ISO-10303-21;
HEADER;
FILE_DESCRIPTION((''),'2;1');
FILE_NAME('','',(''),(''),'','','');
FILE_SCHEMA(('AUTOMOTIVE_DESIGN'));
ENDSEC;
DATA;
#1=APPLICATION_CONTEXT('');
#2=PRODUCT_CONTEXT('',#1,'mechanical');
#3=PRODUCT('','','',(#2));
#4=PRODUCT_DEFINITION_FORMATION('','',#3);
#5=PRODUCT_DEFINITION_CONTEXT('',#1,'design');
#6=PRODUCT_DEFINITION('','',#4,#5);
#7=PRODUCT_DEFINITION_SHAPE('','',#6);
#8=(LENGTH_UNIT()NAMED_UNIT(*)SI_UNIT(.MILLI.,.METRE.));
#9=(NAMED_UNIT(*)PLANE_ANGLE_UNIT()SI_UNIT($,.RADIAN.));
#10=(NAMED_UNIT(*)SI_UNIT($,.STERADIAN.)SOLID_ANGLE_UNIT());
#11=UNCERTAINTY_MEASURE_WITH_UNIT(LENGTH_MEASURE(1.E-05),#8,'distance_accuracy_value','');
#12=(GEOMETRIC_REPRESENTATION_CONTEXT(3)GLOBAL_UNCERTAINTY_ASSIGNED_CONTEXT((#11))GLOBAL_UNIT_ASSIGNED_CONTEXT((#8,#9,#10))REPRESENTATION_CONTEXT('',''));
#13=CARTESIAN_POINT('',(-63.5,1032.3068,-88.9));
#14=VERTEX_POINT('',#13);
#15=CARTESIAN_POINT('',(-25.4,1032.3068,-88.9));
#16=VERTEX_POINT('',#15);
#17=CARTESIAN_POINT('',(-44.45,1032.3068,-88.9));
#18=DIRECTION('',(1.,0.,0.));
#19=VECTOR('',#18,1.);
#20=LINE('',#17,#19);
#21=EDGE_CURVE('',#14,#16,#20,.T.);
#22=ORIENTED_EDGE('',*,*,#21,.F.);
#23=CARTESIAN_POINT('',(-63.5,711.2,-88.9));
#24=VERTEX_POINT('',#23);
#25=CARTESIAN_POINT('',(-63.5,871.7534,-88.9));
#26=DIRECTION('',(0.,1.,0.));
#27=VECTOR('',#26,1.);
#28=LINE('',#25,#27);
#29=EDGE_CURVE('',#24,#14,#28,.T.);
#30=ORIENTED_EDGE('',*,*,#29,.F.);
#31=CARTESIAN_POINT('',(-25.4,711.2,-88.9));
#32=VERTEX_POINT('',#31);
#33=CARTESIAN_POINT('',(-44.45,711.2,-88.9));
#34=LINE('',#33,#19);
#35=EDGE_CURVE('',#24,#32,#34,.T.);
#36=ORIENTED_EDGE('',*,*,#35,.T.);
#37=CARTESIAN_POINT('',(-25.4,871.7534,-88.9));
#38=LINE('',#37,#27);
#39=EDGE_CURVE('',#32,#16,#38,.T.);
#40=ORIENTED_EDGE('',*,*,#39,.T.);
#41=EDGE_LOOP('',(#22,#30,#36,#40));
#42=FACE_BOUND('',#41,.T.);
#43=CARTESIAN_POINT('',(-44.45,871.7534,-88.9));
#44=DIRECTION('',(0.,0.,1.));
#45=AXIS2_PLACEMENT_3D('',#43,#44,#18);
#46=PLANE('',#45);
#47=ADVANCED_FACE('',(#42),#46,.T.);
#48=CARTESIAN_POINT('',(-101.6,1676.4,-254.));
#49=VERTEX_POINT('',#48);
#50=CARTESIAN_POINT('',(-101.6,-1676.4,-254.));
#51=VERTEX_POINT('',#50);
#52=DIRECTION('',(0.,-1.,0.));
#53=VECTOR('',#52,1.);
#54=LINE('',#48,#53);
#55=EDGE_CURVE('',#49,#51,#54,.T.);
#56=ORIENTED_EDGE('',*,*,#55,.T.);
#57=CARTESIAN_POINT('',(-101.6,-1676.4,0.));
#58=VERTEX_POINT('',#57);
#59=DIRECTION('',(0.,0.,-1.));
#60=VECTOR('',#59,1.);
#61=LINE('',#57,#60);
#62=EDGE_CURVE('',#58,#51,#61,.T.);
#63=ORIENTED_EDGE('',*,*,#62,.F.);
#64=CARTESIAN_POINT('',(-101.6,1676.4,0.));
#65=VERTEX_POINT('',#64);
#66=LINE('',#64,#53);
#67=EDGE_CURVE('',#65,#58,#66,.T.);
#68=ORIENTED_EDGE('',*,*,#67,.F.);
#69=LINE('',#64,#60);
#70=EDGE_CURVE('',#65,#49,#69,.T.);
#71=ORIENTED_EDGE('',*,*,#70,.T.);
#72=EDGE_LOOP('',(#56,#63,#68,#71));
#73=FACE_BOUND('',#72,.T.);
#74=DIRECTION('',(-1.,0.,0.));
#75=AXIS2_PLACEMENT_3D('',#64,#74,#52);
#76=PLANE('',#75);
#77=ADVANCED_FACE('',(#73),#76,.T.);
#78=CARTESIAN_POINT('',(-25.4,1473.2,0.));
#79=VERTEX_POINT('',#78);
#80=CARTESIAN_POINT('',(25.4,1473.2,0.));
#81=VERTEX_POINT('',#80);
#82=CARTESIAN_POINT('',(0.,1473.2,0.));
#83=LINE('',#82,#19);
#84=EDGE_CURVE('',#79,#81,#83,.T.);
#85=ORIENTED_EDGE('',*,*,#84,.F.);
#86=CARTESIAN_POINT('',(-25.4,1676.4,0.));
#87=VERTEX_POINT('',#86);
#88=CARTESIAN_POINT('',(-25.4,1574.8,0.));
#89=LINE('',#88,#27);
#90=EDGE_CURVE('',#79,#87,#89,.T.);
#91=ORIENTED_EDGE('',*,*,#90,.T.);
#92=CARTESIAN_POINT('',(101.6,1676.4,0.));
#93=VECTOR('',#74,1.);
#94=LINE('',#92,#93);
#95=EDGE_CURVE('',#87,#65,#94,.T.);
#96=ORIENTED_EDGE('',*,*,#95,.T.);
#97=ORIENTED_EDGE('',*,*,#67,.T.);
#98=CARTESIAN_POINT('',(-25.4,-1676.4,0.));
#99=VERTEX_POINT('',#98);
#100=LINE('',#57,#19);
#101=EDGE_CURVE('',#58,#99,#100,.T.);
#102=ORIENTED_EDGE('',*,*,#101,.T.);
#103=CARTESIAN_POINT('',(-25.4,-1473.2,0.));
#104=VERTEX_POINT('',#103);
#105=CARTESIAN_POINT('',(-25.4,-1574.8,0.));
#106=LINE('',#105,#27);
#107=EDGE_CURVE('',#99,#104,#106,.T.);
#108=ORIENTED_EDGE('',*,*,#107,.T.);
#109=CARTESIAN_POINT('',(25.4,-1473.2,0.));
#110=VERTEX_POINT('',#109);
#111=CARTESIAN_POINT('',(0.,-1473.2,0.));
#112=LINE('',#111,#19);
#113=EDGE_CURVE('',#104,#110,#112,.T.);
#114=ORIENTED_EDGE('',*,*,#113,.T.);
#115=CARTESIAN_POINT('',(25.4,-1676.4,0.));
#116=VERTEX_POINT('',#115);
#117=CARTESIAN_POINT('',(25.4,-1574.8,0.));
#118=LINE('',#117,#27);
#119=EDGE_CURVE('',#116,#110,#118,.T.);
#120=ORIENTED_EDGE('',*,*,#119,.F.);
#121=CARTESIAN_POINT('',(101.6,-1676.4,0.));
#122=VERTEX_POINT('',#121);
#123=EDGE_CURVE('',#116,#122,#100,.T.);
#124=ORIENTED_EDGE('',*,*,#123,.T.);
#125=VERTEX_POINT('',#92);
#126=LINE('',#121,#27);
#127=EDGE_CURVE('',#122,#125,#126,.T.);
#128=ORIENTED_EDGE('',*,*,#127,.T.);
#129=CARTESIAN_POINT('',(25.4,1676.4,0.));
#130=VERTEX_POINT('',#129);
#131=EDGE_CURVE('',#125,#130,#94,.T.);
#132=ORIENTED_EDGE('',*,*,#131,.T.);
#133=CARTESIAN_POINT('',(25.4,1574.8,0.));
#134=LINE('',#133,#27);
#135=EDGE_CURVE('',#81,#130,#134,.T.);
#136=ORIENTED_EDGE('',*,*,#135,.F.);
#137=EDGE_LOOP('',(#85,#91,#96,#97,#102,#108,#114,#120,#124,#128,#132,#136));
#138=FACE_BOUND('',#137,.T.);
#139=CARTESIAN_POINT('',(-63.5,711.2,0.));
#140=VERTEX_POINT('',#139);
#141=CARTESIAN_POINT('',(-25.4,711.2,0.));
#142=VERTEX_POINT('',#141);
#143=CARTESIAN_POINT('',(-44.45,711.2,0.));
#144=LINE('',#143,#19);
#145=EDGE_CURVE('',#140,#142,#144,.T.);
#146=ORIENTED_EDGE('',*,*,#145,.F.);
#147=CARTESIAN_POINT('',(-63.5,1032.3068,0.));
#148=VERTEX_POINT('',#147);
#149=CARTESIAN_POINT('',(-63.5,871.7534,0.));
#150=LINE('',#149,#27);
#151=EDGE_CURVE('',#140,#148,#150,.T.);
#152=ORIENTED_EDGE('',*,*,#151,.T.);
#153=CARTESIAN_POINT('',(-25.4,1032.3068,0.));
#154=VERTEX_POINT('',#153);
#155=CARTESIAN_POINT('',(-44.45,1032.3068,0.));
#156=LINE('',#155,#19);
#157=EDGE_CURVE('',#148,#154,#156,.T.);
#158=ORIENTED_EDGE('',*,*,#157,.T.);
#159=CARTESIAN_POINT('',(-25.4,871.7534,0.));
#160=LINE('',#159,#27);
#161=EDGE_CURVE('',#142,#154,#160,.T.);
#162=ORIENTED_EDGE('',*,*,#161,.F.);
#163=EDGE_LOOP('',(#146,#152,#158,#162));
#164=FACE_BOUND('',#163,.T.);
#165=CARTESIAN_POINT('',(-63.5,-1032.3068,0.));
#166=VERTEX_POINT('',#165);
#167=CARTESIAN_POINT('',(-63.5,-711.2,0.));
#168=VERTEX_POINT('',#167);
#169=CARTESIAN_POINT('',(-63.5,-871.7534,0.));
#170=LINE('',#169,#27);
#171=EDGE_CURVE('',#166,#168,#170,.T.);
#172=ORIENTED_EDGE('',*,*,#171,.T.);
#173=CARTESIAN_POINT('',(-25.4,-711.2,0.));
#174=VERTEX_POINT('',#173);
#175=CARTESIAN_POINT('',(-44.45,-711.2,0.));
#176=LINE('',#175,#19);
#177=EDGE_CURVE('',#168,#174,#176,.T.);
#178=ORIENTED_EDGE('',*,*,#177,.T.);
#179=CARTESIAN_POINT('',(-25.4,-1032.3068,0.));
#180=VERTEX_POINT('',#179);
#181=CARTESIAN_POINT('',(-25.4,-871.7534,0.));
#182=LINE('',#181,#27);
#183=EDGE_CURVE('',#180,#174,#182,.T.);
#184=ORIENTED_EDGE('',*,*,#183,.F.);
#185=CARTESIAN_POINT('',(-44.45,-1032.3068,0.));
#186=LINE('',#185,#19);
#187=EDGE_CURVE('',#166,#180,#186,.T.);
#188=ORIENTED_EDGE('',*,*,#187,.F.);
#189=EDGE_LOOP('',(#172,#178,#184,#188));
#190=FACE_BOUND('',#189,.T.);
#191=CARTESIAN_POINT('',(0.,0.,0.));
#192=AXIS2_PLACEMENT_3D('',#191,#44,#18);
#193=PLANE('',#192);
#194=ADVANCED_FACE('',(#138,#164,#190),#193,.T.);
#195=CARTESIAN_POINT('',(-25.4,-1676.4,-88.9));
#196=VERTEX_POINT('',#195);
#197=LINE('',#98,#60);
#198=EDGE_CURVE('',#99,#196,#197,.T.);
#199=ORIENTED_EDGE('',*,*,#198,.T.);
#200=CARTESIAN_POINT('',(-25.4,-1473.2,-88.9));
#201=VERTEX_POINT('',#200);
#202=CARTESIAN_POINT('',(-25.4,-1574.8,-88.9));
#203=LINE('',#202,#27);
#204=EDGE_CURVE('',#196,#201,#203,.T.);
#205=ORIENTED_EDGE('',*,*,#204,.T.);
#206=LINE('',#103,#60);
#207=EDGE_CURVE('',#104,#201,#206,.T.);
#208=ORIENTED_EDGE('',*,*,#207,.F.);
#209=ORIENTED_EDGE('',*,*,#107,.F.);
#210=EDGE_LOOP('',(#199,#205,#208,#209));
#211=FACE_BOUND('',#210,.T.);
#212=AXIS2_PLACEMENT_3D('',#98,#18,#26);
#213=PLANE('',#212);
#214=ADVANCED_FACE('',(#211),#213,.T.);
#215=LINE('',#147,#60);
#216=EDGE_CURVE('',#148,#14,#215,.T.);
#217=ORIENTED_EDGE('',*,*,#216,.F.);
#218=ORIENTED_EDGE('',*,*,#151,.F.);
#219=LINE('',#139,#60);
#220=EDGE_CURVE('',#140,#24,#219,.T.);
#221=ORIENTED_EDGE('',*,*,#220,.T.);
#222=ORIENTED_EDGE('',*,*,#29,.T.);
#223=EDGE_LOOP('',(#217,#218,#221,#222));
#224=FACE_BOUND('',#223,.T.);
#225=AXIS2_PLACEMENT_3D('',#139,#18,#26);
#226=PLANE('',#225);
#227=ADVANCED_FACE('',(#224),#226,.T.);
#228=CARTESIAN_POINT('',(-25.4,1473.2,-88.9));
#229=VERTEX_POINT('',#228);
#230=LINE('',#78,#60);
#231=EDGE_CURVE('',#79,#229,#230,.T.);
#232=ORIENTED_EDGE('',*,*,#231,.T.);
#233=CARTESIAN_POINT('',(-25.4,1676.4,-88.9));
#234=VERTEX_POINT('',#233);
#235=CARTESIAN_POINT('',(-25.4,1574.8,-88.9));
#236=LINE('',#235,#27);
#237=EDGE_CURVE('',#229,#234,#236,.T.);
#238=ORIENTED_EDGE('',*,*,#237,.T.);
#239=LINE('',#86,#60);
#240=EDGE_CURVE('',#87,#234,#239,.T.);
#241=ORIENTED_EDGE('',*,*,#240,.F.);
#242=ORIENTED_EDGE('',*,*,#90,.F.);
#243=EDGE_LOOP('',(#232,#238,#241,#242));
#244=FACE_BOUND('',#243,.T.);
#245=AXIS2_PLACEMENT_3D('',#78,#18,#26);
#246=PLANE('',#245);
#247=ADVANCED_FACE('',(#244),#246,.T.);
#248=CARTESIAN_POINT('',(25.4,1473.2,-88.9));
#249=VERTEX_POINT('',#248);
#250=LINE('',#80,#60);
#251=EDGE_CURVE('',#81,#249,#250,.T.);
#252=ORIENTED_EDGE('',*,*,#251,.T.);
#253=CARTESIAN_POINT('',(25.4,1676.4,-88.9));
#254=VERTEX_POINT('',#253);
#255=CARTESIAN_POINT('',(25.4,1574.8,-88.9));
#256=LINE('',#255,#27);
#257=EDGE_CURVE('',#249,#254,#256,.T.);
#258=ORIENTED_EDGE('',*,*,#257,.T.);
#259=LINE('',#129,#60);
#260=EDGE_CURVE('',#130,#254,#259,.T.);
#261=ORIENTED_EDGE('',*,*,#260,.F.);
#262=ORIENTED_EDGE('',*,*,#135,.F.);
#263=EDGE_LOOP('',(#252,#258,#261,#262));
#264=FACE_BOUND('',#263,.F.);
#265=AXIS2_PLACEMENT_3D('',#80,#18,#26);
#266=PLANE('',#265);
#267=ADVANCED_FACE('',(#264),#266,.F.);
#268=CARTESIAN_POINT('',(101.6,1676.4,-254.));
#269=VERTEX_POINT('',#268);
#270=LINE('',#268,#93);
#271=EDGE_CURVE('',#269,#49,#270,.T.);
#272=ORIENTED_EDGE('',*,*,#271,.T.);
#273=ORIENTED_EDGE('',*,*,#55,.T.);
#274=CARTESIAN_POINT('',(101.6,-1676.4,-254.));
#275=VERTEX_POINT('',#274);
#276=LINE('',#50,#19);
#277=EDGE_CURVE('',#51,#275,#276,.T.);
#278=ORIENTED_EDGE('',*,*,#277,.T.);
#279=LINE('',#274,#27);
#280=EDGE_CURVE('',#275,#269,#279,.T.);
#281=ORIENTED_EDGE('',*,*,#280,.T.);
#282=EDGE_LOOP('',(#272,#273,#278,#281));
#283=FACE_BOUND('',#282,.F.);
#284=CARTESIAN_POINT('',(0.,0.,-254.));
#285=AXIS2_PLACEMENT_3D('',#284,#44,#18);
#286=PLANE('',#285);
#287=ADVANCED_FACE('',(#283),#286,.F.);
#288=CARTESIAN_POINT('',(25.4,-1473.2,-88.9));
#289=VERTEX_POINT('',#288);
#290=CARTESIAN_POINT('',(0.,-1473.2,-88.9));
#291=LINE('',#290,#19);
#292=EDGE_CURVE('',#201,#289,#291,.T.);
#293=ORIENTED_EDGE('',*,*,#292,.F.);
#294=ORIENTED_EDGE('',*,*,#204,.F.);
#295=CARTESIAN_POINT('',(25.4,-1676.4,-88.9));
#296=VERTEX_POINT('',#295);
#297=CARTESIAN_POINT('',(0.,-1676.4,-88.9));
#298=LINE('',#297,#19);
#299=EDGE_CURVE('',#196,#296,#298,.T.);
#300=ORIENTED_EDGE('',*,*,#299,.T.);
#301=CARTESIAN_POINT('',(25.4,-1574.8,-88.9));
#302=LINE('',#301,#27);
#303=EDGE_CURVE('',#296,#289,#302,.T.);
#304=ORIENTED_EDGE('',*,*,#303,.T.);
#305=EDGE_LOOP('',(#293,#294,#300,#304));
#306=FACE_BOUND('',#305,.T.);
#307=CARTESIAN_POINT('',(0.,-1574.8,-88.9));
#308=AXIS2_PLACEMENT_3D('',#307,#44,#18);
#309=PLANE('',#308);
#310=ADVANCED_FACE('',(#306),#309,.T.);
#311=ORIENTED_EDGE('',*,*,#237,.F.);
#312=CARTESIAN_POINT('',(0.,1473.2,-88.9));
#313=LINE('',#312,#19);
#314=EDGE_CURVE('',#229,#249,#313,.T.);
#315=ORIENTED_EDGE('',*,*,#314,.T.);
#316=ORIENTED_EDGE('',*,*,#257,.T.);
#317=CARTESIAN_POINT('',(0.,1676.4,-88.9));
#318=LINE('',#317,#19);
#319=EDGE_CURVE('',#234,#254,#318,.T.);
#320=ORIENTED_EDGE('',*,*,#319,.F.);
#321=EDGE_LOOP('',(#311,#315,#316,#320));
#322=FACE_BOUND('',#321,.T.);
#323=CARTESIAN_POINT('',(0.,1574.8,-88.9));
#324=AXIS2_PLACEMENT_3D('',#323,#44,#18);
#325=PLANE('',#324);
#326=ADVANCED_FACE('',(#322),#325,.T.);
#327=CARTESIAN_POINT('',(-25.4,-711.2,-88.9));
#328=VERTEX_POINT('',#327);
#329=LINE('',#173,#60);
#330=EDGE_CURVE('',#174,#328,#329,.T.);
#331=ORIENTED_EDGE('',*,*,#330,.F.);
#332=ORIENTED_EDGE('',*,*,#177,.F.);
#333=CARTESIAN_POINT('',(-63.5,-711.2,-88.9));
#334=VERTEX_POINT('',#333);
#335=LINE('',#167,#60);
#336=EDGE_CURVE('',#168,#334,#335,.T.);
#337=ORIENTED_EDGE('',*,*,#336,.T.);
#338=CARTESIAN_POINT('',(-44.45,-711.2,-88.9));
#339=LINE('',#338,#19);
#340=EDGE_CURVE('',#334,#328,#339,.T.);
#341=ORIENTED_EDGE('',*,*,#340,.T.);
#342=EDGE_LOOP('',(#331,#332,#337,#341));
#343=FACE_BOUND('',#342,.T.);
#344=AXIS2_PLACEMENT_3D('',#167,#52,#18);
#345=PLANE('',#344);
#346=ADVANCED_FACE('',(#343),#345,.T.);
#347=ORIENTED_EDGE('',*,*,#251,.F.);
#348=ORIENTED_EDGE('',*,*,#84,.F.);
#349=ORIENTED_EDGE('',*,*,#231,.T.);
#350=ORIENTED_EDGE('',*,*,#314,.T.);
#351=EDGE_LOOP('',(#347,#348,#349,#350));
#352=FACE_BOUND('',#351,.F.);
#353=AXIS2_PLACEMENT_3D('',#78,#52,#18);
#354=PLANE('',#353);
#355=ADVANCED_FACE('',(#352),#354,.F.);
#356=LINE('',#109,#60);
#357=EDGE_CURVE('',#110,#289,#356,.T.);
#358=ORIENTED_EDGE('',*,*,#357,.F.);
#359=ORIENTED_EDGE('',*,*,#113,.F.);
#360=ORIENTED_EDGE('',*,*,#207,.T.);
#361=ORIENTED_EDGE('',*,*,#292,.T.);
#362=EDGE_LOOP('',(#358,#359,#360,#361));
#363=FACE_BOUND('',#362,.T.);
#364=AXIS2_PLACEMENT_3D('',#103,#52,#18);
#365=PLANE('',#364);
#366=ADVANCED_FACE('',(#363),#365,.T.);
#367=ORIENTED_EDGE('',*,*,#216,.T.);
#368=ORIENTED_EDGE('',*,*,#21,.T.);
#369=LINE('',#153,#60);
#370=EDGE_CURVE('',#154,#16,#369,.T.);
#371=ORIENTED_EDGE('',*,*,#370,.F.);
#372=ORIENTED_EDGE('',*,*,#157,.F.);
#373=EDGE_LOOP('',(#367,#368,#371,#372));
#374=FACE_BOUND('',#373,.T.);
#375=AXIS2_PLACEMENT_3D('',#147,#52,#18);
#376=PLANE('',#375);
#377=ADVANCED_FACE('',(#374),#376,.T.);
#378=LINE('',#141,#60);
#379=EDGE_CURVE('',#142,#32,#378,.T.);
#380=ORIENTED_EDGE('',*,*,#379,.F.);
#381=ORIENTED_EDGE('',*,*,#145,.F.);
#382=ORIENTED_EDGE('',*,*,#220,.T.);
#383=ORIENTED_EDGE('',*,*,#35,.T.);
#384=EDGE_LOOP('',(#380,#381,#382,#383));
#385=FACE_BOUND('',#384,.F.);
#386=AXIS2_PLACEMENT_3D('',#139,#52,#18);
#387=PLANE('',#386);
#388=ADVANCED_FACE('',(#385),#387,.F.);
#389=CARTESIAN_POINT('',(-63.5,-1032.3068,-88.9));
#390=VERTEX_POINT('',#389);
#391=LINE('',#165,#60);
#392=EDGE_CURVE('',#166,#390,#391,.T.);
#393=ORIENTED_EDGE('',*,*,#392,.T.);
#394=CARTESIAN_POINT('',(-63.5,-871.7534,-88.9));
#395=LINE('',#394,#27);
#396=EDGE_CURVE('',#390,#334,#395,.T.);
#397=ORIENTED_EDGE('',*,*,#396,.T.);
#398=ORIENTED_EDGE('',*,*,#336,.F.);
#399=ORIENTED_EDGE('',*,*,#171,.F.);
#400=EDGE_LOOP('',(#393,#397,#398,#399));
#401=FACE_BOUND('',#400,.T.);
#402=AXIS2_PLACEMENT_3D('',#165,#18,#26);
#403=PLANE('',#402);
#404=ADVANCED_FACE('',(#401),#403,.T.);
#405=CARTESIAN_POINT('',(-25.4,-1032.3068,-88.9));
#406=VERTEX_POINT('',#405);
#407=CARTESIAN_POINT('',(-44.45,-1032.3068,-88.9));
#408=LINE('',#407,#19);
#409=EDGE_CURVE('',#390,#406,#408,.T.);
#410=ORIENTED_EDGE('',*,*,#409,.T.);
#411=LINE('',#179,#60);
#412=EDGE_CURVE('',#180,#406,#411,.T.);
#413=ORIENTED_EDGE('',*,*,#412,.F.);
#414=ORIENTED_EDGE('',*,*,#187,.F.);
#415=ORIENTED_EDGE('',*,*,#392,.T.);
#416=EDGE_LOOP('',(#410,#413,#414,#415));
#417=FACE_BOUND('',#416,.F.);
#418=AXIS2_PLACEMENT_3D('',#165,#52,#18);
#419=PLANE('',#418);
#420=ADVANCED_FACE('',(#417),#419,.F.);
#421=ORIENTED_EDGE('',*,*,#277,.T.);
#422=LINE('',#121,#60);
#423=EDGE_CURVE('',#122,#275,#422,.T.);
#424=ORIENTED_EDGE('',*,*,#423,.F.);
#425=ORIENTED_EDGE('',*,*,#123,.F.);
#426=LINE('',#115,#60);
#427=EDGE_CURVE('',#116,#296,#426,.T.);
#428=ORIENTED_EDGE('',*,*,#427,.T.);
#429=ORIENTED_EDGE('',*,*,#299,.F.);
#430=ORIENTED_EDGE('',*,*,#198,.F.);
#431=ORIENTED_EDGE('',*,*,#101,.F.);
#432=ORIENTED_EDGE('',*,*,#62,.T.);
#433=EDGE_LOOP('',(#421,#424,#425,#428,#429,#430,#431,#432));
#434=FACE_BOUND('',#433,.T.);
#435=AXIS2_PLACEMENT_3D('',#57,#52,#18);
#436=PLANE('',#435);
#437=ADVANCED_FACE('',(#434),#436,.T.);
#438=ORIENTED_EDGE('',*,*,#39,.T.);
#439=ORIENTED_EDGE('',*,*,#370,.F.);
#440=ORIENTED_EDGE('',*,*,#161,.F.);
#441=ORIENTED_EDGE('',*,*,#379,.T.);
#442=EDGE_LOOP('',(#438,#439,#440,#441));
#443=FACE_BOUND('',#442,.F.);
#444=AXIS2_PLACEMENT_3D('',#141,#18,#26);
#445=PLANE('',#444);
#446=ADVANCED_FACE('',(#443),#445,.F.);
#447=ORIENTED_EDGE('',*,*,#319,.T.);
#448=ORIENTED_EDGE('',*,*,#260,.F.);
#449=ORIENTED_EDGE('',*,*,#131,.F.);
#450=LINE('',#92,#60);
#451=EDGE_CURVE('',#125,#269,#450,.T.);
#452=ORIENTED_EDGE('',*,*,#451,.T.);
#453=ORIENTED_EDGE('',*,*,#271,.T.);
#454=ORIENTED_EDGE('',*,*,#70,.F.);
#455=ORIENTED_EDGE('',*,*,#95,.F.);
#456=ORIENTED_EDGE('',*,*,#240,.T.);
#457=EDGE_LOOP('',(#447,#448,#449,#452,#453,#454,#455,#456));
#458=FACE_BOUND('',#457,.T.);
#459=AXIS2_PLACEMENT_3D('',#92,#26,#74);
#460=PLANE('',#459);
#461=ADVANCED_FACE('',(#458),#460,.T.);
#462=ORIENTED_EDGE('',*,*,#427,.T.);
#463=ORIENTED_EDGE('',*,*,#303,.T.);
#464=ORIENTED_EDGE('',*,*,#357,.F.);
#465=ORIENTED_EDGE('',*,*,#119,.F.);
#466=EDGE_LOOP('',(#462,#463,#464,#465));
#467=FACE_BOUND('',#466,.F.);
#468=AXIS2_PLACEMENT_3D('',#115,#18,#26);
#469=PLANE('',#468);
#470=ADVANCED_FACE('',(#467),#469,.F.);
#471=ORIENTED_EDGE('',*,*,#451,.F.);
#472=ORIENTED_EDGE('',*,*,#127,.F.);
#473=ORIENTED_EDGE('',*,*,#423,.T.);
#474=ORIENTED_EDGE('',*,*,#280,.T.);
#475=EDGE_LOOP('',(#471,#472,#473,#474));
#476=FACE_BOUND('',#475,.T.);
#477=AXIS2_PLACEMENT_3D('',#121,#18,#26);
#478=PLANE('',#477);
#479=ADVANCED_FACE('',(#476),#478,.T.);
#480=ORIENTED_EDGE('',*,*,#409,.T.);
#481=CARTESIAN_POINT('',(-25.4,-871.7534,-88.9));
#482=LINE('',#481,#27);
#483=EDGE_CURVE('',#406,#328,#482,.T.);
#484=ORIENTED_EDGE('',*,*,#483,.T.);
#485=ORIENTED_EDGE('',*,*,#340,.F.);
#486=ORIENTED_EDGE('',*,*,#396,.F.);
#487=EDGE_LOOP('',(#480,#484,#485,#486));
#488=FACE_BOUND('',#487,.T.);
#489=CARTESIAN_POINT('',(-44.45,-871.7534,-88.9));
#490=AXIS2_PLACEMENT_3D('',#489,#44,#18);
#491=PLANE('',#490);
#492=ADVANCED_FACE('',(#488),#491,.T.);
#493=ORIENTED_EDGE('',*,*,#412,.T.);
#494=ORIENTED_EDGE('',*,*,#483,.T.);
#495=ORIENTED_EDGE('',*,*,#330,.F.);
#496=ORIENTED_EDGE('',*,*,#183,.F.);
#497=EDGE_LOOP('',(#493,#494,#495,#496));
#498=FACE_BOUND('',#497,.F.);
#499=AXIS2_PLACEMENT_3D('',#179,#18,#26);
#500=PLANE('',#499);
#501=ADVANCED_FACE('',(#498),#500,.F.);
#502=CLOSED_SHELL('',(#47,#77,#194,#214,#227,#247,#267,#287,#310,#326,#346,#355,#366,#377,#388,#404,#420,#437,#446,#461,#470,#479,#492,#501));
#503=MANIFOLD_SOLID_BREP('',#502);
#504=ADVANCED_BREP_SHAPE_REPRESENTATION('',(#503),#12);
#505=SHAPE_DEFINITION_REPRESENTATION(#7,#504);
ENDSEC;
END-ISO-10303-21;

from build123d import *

# Parameters (mm, degrees)
F0_W     = 38.1
F0_H     = 321.1068
F0_W_2   = 50.8
F0_H_2   = 203.2
F1_DEPTH = 254
F2_DEPTH = 88.9


with BuildPart() as f1:
    # F0 (on Top) → F1 (new body)
    with BuildSketch(Plane.XY):
        Polygon((-25.4, 1676.4), (-101.6, 1676.4), (-101.6, -1676.4), (-25.4, -1676.4), (-25.4, -1473.2), (25.4, -1473.2), (25.4, -1676.4), (101.6, -1676.4), (101.6, 1676.4), (25.4, 1676.4), (25.4, 1473.2), (-25.4, 1473.2), align=None)
        with Locations((-44.45, -871.7534)):
            Rectangle(F0_W, F0_H, mode=Mode.SUBTRACT)
        with Locations((-44.45, 871.7534)):
            Rectangle(F0_W, F0_H, mode=Mode.SUBTRACT)
        with Locations((0, 1574.8)):
            Rectangle(F0_W_2, F0_H_2)
        with Locations((-44.45, 871.7534)):
            Rectangle(F0_W, F0_H)
        with Locations((-44.45, -871.7534)):
            Rectangle(F0_W, F0_H)
        with Locations((0, -1574.8)):
            Rectangle(F0_W_2, F0_H_2)
    extrude(amount=-F1_DEPTH)

    # F0 (on Top) → F2 (cut)
    with BuildSketch(Plane.XY):
        with Locations((0, -1574.8)):
            Rectangle(F0_W_2, F0_H_2)
        with Locations((-44.45, -871.7534)):
            Rectangle(F0_W, F0_H)
        with Locations((-44.45, 871.7534)):
            Rectangle(F0_W, F0_H)
        with Locations((0, 1574.8)):
            Rectangle(F0_W_2, F0_H_2)
    extrude(amount=-F2_DEPTH, mode=Mode.SUBTRACT)


solid = f1.part
